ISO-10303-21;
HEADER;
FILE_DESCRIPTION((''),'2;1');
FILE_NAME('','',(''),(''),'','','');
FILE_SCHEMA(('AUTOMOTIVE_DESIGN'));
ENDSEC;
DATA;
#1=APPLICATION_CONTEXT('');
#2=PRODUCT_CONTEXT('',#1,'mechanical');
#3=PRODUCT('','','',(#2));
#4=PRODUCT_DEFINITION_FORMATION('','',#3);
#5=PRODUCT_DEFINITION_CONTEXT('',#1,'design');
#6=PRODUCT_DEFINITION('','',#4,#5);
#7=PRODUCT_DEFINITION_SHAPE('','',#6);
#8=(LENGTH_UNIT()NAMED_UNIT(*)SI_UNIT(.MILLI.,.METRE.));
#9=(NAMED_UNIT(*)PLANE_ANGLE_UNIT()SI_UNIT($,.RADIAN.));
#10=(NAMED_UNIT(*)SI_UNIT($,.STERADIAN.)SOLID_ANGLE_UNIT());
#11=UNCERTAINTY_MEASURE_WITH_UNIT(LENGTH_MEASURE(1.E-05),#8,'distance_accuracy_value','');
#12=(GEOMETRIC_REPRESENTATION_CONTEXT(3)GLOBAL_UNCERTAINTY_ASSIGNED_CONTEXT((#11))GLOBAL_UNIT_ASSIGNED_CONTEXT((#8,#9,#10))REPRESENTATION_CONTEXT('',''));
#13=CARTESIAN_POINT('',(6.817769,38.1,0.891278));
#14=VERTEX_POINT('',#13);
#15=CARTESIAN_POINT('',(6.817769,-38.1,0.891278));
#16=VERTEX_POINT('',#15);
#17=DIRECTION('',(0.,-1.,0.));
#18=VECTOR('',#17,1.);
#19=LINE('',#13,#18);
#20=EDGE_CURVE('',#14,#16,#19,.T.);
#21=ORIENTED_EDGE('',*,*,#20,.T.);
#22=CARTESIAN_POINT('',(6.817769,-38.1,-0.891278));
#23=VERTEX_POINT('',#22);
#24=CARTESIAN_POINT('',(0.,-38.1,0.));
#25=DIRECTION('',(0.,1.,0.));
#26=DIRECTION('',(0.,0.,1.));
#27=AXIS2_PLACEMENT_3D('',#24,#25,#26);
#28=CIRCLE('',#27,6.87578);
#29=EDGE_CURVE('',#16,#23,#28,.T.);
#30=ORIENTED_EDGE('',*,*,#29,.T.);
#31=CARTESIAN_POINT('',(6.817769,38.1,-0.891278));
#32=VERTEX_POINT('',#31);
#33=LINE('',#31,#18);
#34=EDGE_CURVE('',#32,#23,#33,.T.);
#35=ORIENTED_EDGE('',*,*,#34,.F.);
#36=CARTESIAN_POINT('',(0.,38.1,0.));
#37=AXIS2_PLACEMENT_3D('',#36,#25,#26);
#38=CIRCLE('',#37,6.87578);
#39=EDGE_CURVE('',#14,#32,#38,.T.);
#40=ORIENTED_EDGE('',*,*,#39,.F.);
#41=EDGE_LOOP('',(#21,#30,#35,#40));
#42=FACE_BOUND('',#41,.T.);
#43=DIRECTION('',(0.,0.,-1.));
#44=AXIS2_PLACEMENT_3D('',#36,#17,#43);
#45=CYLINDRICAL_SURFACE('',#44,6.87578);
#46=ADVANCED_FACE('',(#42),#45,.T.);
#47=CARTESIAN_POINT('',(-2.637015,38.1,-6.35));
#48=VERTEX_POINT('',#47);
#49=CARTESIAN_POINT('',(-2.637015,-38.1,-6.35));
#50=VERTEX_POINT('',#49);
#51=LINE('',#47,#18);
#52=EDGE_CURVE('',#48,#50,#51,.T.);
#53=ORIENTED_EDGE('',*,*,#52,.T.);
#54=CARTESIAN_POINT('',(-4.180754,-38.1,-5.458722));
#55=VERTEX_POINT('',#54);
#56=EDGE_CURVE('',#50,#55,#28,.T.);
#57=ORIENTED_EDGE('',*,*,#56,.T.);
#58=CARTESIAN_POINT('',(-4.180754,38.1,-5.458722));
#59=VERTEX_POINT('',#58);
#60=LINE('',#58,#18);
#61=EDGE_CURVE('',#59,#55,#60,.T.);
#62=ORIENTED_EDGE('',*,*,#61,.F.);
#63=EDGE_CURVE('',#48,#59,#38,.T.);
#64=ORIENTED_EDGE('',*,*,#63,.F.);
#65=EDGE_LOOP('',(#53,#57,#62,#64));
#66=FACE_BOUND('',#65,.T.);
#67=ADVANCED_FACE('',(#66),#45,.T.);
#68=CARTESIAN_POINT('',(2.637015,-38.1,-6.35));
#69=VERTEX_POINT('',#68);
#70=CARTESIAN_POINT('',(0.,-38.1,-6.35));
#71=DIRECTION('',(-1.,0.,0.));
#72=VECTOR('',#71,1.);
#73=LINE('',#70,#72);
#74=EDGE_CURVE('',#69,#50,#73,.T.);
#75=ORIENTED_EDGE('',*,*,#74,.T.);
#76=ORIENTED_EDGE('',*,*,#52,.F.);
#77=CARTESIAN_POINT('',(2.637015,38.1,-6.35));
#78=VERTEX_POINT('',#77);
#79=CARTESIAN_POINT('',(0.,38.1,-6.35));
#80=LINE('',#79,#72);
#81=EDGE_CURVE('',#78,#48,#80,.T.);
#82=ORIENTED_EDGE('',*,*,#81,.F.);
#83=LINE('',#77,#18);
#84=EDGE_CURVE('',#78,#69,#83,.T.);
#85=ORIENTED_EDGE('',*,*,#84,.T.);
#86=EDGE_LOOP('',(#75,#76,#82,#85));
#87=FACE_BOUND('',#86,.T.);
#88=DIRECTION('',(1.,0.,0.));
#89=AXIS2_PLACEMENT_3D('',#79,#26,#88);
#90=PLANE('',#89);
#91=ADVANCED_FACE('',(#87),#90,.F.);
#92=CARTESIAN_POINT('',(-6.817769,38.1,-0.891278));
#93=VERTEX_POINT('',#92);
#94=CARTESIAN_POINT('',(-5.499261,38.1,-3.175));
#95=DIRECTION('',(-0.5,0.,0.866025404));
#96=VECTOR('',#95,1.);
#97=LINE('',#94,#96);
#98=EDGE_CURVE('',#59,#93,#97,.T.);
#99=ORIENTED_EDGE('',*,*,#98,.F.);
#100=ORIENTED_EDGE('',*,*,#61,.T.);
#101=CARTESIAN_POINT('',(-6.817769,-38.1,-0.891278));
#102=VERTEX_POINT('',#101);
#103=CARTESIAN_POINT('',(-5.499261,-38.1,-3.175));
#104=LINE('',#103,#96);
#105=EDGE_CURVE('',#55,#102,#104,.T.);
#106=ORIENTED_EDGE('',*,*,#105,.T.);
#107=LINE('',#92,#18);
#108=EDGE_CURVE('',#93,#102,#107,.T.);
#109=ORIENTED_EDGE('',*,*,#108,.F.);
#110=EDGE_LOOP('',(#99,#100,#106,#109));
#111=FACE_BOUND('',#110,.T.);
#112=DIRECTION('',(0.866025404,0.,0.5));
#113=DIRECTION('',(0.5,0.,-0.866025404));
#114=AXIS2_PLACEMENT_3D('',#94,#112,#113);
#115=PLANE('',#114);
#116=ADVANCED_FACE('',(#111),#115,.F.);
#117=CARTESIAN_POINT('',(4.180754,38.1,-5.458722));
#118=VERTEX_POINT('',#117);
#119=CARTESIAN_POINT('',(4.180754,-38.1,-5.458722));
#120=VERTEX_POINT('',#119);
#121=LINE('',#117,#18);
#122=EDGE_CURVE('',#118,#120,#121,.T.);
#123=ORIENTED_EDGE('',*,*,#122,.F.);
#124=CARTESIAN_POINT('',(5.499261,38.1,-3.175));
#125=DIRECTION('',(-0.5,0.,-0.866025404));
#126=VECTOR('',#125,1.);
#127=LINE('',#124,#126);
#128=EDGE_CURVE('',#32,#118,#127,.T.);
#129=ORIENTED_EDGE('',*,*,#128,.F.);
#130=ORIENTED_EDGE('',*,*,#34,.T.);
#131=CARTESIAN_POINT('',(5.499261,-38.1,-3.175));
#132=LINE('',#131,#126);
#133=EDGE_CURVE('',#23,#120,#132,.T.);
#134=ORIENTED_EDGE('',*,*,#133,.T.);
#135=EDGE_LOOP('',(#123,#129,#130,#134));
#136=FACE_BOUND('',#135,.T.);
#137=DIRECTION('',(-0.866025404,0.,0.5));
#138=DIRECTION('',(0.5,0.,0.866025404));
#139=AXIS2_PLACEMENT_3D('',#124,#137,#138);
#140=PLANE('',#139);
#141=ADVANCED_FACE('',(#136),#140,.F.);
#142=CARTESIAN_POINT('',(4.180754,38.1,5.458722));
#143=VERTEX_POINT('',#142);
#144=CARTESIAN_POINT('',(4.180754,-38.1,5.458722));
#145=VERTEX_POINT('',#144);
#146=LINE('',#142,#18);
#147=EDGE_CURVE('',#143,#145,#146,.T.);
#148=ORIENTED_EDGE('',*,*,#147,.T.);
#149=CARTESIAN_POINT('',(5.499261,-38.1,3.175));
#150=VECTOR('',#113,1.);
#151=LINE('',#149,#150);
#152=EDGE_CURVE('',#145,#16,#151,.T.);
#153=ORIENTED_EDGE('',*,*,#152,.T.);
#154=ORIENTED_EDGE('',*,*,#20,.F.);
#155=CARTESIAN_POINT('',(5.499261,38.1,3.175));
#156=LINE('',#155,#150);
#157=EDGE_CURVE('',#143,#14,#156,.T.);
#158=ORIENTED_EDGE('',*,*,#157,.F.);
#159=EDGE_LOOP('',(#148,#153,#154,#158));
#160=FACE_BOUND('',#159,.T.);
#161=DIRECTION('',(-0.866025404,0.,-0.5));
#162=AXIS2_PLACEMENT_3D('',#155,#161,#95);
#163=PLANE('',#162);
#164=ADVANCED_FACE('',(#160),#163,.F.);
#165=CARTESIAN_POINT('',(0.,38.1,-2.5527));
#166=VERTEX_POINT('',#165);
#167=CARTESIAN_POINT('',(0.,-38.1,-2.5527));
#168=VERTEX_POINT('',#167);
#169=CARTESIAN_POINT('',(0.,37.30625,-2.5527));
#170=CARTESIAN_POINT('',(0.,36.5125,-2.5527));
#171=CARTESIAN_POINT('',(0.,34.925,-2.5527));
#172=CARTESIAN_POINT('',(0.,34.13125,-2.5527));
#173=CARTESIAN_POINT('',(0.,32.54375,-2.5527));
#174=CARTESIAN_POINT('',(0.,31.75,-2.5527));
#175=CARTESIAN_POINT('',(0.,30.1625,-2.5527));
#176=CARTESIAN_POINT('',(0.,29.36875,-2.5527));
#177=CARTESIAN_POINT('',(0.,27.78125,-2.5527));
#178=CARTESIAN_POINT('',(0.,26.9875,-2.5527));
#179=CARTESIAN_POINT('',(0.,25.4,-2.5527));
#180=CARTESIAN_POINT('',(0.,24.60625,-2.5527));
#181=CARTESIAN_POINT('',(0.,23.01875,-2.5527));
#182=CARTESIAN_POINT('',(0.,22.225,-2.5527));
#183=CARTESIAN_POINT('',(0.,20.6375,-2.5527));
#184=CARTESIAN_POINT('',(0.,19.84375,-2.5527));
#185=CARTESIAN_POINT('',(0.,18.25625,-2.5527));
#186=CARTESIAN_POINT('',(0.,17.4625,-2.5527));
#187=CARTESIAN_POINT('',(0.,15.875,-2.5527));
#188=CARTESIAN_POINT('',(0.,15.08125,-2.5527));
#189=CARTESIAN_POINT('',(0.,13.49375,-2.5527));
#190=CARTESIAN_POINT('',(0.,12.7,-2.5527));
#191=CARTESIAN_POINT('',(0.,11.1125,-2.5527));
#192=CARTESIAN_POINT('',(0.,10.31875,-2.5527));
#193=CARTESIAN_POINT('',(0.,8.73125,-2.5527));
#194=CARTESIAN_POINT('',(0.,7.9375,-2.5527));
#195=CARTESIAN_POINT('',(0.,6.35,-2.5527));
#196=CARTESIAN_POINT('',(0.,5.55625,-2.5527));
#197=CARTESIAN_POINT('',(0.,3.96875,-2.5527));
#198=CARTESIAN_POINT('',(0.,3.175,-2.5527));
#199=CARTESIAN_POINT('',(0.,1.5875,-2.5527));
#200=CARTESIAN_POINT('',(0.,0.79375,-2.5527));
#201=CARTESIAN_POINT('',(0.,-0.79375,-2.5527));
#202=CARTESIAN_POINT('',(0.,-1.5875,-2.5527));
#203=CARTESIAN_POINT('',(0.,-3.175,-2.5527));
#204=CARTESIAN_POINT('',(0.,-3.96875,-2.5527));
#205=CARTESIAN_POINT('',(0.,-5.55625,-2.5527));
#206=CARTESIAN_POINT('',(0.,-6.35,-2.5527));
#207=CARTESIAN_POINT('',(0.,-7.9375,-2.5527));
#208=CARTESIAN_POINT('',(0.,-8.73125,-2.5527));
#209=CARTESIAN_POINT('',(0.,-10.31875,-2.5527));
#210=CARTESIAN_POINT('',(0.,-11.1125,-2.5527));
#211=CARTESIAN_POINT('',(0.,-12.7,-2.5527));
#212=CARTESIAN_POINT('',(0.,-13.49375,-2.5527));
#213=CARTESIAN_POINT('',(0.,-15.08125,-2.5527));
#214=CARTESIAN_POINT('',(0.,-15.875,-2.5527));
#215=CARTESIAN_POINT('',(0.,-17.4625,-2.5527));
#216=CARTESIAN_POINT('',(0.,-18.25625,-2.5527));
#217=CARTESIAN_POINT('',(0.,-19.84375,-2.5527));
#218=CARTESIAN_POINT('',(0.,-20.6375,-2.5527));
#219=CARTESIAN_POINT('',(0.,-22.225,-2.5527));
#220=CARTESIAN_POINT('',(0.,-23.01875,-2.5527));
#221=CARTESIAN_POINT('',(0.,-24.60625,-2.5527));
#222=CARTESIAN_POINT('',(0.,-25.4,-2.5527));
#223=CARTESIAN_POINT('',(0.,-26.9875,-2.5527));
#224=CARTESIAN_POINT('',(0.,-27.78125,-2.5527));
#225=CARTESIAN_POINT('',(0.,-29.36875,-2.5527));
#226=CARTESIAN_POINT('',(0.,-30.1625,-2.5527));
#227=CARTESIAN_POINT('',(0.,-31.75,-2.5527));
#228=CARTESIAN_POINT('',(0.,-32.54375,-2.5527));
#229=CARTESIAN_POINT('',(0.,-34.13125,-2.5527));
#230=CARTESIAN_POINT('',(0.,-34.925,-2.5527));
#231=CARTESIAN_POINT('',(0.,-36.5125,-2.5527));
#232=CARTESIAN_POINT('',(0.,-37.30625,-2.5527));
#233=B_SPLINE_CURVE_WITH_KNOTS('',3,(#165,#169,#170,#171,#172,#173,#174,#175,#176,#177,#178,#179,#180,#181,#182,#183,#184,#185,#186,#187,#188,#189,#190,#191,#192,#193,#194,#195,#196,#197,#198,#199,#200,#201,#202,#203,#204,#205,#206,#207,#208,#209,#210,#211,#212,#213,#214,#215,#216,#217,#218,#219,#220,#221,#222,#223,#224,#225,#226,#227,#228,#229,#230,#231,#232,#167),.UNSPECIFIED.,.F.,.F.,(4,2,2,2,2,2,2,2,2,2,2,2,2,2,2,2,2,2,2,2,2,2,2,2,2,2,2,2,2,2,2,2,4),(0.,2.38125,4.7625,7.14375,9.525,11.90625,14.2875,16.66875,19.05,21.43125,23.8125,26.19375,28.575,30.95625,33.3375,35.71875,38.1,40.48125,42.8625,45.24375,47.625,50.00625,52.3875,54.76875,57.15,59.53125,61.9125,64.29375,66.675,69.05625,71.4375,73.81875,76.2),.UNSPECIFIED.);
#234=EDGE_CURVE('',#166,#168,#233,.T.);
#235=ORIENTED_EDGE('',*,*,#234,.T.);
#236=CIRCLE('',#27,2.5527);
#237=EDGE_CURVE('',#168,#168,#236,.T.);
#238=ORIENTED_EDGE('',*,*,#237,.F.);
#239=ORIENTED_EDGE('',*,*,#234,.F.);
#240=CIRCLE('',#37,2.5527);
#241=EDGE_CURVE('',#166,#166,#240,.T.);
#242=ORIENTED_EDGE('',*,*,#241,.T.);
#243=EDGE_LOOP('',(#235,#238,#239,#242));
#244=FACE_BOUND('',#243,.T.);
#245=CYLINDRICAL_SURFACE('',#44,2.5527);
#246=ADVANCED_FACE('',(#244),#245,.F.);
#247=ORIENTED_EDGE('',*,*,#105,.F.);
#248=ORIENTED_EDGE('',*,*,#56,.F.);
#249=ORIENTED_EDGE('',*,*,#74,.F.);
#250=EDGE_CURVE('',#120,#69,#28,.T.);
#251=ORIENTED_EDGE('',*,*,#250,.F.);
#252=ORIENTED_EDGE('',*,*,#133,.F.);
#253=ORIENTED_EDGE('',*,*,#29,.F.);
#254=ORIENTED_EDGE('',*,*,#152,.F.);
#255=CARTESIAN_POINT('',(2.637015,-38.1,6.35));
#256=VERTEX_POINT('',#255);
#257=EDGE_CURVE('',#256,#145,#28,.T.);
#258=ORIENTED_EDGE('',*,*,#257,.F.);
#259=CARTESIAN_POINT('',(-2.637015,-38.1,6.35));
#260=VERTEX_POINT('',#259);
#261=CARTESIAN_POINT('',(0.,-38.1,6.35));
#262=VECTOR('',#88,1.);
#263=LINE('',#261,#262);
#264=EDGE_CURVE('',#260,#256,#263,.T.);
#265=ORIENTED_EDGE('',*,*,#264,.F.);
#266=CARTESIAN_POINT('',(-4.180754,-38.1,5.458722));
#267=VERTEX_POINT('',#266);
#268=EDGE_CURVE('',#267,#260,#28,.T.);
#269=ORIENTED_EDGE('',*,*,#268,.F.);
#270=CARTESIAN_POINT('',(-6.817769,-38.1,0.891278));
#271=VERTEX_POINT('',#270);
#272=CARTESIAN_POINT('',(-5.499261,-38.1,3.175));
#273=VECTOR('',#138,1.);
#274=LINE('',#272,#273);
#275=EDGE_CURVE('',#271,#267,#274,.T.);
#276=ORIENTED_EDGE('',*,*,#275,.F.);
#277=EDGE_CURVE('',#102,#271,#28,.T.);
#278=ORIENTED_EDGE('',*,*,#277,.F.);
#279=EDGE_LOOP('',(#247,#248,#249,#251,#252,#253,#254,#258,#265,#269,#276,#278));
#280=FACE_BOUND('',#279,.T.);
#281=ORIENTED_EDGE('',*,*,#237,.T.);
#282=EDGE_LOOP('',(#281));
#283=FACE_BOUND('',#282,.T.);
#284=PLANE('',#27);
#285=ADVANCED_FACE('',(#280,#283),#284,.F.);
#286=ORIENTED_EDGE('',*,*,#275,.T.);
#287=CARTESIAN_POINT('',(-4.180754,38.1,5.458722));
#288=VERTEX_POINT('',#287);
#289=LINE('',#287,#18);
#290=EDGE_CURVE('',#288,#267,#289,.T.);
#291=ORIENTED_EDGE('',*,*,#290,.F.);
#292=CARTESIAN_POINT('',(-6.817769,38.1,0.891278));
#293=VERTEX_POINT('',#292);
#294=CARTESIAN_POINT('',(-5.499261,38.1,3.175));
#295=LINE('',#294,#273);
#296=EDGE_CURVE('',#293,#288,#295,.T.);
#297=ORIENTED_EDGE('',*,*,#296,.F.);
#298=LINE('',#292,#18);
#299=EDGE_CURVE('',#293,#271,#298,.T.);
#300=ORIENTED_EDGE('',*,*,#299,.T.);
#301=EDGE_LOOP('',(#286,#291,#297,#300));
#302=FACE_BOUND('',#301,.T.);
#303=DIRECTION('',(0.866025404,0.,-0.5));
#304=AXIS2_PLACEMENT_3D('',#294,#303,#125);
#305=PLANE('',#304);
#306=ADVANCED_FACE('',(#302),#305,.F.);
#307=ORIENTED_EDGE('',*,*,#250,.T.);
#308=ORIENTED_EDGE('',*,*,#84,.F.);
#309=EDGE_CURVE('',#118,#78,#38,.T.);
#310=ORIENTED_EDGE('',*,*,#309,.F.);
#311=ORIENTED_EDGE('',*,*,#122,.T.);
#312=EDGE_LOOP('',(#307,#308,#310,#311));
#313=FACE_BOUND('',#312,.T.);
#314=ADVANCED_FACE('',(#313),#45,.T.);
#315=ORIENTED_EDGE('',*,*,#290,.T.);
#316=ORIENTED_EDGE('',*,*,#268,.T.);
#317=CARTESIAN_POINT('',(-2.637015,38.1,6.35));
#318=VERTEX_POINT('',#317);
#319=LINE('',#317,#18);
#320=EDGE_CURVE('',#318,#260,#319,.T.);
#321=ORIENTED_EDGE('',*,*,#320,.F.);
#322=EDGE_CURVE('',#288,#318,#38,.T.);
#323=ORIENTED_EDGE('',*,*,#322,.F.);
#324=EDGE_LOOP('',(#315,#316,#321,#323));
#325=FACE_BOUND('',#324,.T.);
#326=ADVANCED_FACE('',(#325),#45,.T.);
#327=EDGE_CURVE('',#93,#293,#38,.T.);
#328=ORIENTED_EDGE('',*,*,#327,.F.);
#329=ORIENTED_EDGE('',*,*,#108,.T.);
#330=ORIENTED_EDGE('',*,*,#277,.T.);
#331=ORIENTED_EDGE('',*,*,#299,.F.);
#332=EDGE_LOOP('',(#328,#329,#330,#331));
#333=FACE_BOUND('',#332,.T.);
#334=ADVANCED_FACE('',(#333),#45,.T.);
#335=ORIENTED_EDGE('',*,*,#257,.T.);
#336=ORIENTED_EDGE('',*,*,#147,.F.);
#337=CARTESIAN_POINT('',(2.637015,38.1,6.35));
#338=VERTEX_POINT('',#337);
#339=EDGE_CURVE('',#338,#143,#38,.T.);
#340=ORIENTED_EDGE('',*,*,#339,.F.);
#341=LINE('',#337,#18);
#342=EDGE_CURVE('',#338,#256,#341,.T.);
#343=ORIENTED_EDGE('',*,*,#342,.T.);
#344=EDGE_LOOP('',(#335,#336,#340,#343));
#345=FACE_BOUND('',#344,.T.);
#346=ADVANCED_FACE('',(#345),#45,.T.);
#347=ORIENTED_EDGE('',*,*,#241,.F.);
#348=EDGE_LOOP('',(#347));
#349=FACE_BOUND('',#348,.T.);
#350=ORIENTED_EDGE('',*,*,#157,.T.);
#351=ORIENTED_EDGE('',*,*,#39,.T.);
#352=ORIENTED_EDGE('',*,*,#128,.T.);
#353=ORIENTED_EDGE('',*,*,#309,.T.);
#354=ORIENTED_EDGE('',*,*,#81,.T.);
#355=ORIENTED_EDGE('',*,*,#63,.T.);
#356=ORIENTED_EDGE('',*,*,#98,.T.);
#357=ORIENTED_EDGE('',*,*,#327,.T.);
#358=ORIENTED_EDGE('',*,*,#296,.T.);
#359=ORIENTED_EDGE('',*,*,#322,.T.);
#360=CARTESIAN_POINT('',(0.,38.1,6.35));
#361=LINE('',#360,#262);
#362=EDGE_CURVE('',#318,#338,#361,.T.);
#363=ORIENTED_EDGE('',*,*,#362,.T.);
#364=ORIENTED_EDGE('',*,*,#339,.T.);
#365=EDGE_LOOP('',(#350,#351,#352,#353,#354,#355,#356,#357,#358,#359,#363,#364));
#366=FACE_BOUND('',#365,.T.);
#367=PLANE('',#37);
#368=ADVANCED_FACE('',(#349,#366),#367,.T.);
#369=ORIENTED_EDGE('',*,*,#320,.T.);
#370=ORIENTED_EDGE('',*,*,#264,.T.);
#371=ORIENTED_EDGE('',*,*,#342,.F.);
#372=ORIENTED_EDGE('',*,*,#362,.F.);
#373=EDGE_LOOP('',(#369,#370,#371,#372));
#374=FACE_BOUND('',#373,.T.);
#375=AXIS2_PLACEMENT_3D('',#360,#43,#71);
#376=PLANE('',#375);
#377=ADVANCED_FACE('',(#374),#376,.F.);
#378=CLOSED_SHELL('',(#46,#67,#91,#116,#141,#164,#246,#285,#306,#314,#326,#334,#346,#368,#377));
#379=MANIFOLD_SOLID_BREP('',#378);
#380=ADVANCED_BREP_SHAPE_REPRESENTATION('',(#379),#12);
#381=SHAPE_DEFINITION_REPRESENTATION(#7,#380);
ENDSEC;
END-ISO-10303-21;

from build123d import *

# Parameters (mm, degrees)
SKETCH1_R           = 2.5527
BOSS_EXTRUDE1_DEPTH = 38.1


with BuildPart() as part:
    # Sketch1 → Boss-Extrude1 (new, symmetric)
    with BuildSketch(Plane(origin=(0, 0, 0), x_dir=(1, 0, 0), z_dir=(0, 1, 0))):
        with BuildLine():
            ThreePointArc((2.637015474, -6.35), (3.43789, -5.954600151), (4.180753577, -5.45872239))
            Line((4.180753577, -5.45872239), (6.817769051, -0.89127761))
            ThreePointArc((6.817769051, -0.89127761), (6.861261935, -0.446581753), (6.87578, 0))
            ThreePointArc((6.87578, 0), (6.861261935, 0.446581753), (6.817769051, 0.89127761))
            Line((6.817769051, 0.89127761), (4.180753577, 5.45872239))
            ThreePointArc((4.180753577, 5.45872239), (3.43789, 5.954600151), (2.637015474, 6.35))
            Line((2.637015474, 6.35), (-2.637015474, 6.35))
            ThreePointArc((-2.637015474, 6.35), (-3.43789, 5.954600151), (-4.180753577, 5.45872239))
            Line((-4.180753577, 5.45872239), (-6.817769051, 0.89127761))
            ThreePointArc((-6.817769051, 0.89127761), (-6.87578, 0), (-6.817769051, -0.89127761))
            Line((-6.817769051, -0.89127761), (-4.180753577, -5.45872239))
            ThreePointArc((-4.180753577, -5.45872239), (-3.43789, -5.954600151), (-2.637015474, -6.35))
            Line((-2.637015474, -6.35), (2.637015474, -6.35))
        make_face()
        with Locations(Location((0, 0, 0), (0, 0, 90))):
            Circle(SKETCH1_R, mode=Mode.SUBTRACT)
    extrude(amount=BOSS_EXTRUDE1_DEPTH, both=True)


solid = part.part
